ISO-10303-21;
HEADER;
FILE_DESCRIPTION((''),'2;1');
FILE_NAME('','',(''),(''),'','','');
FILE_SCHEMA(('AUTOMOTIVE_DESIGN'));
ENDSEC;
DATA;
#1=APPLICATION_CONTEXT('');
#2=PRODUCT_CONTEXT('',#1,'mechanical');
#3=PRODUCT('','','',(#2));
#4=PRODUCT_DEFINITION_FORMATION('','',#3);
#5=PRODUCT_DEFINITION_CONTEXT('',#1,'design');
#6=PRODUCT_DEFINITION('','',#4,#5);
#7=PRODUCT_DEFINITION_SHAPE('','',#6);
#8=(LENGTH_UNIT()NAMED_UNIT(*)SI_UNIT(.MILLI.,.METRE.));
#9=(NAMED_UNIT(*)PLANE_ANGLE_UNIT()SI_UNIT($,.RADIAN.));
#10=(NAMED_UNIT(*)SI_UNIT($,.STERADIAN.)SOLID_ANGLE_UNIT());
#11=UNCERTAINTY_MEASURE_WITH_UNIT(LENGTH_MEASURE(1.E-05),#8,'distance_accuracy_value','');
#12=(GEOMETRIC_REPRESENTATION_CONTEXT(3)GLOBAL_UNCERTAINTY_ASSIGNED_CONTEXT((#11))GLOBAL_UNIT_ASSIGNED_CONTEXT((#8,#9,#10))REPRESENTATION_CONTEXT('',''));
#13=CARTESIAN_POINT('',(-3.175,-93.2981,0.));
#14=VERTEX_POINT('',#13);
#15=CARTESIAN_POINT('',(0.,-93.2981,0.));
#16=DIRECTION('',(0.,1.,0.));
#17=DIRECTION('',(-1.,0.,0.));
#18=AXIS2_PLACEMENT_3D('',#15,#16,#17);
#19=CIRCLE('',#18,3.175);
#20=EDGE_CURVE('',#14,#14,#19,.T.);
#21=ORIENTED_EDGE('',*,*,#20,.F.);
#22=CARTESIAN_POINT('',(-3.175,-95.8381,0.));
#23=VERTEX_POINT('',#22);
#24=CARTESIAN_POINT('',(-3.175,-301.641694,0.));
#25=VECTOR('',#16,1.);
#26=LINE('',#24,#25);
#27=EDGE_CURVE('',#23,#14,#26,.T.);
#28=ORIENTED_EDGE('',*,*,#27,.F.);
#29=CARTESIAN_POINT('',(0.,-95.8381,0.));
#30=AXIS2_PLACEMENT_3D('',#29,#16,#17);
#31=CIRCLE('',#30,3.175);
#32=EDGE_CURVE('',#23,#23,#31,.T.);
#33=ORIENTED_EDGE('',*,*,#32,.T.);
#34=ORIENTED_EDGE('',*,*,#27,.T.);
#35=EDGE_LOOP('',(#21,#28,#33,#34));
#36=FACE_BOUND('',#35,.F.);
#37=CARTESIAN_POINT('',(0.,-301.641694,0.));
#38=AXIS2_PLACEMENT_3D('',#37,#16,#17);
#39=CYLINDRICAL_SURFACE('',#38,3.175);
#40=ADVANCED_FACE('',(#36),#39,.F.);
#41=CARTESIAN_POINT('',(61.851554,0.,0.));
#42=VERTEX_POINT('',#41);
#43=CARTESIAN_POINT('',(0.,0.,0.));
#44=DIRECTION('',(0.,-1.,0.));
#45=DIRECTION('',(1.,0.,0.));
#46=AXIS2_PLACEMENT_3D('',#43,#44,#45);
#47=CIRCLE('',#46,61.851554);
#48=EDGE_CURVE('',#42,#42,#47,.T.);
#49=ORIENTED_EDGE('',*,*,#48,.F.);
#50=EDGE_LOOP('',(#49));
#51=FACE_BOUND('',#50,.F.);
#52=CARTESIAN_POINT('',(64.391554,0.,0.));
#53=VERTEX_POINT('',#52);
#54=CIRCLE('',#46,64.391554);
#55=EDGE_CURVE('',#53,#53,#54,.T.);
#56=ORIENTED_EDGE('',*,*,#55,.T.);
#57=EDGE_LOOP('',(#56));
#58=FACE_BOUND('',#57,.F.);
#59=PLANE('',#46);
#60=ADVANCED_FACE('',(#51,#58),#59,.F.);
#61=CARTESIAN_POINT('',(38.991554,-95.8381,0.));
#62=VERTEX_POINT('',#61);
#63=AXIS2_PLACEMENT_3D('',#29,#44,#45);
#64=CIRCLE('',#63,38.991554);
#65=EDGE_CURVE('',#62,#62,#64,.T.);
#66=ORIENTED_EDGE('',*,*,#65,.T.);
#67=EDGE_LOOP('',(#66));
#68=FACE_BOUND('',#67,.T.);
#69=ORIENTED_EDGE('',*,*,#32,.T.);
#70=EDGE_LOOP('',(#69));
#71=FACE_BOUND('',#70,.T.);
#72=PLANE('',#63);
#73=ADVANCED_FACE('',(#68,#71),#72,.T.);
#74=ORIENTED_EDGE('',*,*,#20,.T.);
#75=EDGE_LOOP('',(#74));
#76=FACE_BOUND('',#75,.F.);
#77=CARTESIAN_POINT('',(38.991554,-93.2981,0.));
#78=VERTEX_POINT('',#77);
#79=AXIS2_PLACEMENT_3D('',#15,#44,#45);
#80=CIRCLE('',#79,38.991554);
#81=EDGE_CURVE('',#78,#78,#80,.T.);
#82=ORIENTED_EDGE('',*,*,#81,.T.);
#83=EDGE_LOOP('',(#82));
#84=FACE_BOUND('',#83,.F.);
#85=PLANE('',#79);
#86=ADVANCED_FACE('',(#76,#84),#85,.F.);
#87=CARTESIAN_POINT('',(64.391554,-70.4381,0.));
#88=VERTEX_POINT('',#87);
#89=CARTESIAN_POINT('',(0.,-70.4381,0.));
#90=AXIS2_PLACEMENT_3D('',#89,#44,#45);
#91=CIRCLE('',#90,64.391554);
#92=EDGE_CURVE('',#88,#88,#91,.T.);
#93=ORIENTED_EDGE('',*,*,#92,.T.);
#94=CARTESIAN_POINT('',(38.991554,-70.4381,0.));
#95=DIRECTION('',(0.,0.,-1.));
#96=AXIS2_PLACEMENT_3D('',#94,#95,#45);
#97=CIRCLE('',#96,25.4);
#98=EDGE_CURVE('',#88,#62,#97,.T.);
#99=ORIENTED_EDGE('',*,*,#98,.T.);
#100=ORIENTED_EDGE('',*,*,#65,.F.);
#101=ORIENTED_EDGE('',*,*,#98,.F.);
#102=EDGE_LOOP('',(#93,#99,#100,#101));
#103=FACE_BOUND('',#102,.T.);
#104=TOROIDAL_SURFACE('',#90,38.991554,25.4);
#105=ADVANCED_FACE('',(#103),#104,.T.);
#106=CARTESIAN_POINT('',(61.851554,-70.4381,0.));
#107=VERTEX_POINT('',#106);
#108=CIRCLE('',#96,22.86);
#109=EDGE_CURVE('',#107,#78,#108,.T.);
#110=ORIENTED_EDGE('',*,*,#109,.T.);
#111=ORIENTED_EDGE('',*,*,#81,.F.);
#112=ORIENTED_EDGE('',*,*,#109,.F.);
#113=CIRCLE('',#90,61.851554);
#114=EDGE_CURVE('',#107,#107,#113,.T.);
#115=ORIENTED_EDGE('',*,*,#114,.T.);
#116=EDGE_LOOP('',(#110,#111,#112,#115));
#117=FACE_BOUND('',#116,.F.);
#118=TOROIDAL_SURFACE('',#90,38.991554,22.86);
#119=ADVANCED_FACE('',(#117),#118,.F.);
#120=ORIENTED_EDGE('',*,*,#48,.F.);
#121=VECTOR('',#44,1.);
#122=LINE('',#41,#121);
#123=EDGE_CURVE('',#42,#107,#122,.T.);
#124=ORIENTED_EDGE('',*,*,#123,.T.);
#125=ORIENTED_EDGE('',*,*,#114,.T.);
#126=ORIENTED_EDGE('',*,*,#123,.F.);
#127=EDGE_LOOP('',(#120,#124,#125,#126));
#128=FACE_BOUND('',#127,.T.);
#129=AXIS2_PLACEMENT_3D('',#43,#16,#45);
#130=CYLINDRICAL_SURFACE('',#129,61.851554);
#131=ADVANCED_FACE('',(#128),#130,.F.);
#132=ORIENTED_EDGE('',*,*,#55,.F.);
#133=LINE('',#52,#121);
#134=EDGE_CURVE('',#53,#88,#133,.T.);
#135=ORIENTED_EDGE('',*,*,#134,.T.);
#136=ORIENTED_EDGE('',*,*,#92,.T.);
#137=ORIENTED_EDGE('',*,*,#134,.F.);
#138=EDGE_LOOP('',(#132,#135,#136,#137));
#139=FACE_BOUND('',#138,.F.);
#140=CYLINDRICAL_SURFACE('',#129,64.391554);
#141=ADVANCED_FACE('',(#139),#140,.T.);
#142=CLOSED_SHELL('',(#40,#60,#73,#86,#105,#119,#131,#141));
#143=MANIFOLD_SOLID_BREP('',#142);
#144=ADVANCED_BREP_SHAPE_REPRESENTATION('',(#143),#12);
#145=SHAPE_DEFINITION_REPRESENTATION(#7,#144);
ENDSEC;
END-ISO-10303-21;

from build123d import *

# Parameters (mm, degrees)
F0_R     = 64.391554
F1_DEPTH = 95.8381
F2_R     = 25.4
F3_T     = -2.54
F5_D     = 6.35


with BuildPart() as f1:
    # F0 (on Front) → F1 (new body)
    with BuildSketch(Plane.XZ):
        Circle(F0_R)
    extrude(amount=F1_DEPTH)

    # F2
    f2_edges = [f1.edges().sort_by_distance(p)[0] for p in [
        (-64.391554, -95.8381, 0),
    ]]
    fillet(f2_edges, radius=F2_R)

    # F3
    f3_openings = [f1.faces().sort_by_distance(p)[0] for p in [
        (0, 0, 0),
    ]]
    offset(amount=F3_T, openings=f3_openings)

    # F5 (through all)
    with Locations(Plane.XZ.offset(95.8381)):
        with Locations((0, 0)):
            Hole(F5_D / 2)


solid = f1.part
